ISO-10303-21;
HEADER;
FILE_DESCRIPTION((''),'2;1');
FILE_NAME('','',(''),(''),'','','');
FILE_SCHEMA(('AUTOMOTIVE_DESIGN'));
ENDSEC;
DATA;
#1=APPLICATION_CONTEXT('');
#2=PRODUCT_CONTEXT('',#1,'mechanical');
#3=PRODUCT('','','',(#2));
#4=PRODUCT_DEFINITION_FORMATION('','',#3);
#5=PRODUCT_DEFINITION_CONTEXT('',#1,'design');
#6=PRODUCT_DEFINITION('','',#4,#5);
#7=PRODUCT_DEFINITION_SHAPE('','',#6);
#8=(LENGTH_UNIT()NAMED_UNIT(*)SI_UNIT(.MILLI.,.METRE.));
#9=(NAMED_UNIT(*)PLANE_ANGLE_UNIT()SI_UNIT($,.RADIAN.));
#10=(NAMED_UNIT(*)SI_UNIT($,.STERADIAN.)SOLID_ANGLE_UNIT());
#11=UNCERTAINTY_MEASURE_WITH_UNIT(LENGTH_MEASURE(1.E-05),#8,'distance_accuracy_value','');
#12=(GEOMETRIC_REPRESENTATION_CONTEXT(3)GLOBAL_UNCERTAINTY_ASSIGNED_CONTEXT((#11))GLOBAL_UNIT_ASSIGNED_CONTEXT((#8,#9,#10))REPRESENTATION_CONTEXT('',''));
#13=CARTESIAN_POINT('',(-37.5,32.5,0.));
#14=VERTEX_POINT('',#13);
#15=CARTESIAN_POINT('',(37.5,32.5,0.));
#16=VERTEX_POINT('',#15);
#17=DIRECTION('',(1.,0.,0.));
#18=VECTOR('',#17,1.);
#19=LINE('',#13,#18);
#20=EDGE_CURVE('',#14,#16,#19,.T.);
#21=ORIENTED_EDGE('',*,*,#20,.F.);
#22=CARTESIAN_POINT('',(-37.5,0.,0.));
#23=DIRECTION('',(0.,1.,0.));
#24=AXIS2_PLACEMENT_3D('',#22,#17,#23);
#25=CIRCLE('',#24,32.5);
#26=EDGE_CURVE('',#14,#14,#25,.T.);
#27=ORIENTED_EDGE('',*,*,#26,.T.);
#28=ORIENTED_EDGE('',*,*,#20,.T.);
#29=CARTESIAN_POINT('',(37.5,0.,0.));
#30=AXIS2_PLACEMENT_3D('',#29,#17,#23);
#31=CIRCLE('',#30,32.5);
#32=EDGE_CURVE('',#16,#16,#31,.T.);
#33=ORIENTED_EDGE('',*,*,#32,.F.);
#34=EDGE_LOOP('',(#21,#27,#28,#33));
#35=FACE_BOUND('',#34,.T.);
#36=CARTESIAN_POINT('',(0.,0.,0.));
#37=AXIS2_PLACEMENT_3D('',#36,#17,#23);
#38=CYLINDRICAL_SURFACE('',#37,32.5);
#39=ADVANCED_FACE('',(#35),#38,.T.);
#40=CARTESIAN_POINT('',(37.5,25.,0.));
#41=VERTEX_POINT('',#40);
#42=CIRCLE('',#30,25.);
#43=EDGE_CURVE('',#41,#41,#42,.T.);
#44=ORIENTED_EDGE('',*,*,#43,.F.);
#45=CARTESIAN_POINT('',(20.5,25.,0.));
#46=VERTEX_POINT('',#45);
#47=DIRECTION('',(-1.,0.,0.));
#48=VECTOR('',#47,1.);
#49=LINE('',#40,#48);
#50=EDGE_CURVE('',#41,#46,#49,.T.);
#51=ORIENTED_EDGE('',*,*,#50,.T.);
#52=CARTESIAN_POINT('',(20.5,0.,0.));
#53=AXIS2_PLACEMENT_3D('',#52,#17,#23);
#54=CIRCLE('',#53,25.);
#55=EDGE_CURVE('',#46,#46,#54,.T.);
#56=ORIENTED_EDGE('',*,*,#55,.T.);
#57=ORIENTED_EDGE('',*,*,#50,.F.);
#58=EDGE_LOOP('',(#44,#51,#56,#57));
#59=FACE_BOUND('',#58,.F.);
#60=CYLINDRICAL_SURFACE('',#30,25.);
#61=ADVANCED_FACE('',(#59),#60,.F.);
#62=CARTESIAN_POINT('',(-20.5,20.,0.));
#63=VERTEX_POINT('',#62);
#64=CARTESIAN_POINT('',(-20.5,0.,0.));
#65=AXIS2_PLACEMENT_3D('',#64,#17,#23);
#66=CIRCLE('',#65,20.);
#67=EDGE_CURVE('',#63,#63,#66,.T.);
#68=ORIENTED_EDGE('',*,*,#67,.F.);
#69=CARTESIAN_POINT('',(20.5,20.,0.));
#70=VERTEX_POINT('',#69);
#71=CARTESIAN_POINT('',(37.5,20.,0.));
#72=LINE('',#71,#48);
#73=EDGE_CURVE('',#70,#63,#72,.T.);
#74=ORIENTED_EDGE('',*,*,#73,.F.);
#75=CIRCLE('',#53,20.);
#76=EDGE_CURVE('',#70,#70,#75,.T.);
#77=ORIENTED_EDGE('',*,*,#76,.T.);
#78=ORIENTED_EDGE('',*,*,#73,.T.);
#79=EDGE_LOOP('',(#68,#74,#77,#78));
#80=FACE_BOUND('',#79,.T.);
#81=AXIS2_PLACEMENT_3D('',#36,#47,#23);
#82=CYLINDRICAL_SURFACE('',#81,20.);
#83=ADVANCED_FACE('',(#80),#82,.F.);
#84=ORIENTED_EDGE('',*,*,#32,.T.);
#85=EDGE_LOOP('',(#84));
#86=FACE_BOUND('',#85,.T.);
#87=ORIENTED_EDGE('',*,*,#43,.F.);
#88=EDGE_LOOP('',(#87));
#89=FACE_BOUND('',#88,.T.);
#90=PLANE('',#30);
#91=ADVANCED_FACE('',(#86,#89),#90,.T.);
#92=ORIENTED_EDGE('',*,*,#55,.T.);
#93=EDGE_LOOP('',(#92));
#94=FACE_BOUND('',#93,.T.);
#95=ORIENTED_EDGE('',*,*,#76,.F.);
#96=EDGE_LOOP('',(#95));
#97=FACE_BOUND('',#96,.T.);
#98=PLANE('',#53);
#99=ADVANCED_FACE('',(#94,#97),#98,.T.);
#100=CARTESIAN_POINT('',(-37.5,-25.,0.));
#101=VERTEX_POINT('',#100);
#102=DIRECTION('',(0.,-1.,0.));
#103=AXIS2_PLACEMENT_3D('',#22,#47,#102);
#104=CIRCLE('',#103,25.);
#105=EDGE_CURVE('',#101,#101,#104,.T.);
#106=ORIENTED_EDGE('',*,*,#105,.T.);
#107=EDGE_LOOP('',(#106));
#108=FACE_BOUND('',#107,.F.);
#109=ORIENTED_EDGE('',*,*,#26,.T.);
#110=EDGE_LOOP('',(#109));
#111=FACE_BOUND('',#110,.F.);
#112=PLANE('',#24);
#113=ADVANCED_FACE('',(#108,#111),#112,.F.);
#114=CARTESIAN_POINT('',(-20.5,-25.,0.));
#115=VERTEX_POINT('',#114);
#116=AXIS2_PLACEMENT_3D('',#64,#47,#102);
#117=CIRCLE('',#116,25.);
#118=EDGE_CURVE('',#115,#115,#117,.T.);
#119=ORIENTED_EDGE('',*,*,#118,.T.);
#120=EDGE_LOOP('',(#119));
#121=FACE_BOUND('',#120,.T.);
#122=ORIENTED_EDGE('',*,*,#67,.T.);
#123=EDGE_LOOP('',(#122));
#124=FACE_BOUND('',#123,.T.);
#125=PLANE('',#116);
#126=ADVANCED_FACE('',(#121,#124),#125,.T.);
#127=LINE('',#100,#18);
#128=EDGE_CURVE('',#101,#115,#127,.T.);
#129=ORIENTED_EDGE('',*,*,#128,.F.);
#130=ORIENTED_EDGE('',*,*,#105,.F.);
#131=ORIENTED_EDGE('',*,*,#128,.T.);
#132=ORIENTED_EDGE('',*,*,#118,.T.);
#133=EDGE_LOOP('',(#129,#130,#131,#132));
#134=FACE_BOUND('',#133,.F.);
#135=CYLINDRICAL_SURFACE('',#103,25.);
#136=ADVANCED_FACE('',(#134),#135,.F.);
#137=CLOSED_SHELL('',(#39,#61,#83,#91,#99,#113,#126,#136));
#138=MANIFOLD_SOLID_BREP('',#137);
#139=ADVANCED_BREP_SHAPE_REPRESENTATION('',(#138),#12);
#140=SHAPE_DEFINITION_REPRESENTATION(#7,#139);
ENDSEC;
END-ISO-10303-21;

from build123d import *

# Parameters (mm, degrees)
F0_R     = 32.5
F0_R_2   = 20
F1_DEPTH = 37.5
F2_R     = 25
F2_R_2   = 20
F3_DEPTH = 17
F4_R     = 25
F4_R_2   = 20
F5_DEPTH = 17


with BuildPart() as f1:
    # F0 (on Right) → F1 (new body, symmetric)
    with BuildSketch(Plane.YZ):
        Circle(F0_R)
        Circle(F0_R_2, mode=Mode.SUBTRACT)
    extrude(amount=F1_DEPTH, both=True)

    # F2 (on face) → F3 (cut)
    with BuildSketch(Plane.YZ.offset(37.5)):
        Circle(F2_R)
        Circle(F2_R_2, mode=Mode.SUBTRACT)
    extrude(amount=-F3_DEPTH, mode=Mode.SUBTRACT)

    # F4 (on face) → F5 (cut)
    with BuildSketch(Plane(origin=(-37.5, 0, 0), x_dir=(0, -1, 0), z_dir=(-1, 0, 0))):
        Circle(F4_R)
        Circle(F4_R_2, mode=Mode.SUBTRACT)
    extrude(amount=-F5_DEPTH, mode=Mode.SUBTRACT)


solid = f1.part
